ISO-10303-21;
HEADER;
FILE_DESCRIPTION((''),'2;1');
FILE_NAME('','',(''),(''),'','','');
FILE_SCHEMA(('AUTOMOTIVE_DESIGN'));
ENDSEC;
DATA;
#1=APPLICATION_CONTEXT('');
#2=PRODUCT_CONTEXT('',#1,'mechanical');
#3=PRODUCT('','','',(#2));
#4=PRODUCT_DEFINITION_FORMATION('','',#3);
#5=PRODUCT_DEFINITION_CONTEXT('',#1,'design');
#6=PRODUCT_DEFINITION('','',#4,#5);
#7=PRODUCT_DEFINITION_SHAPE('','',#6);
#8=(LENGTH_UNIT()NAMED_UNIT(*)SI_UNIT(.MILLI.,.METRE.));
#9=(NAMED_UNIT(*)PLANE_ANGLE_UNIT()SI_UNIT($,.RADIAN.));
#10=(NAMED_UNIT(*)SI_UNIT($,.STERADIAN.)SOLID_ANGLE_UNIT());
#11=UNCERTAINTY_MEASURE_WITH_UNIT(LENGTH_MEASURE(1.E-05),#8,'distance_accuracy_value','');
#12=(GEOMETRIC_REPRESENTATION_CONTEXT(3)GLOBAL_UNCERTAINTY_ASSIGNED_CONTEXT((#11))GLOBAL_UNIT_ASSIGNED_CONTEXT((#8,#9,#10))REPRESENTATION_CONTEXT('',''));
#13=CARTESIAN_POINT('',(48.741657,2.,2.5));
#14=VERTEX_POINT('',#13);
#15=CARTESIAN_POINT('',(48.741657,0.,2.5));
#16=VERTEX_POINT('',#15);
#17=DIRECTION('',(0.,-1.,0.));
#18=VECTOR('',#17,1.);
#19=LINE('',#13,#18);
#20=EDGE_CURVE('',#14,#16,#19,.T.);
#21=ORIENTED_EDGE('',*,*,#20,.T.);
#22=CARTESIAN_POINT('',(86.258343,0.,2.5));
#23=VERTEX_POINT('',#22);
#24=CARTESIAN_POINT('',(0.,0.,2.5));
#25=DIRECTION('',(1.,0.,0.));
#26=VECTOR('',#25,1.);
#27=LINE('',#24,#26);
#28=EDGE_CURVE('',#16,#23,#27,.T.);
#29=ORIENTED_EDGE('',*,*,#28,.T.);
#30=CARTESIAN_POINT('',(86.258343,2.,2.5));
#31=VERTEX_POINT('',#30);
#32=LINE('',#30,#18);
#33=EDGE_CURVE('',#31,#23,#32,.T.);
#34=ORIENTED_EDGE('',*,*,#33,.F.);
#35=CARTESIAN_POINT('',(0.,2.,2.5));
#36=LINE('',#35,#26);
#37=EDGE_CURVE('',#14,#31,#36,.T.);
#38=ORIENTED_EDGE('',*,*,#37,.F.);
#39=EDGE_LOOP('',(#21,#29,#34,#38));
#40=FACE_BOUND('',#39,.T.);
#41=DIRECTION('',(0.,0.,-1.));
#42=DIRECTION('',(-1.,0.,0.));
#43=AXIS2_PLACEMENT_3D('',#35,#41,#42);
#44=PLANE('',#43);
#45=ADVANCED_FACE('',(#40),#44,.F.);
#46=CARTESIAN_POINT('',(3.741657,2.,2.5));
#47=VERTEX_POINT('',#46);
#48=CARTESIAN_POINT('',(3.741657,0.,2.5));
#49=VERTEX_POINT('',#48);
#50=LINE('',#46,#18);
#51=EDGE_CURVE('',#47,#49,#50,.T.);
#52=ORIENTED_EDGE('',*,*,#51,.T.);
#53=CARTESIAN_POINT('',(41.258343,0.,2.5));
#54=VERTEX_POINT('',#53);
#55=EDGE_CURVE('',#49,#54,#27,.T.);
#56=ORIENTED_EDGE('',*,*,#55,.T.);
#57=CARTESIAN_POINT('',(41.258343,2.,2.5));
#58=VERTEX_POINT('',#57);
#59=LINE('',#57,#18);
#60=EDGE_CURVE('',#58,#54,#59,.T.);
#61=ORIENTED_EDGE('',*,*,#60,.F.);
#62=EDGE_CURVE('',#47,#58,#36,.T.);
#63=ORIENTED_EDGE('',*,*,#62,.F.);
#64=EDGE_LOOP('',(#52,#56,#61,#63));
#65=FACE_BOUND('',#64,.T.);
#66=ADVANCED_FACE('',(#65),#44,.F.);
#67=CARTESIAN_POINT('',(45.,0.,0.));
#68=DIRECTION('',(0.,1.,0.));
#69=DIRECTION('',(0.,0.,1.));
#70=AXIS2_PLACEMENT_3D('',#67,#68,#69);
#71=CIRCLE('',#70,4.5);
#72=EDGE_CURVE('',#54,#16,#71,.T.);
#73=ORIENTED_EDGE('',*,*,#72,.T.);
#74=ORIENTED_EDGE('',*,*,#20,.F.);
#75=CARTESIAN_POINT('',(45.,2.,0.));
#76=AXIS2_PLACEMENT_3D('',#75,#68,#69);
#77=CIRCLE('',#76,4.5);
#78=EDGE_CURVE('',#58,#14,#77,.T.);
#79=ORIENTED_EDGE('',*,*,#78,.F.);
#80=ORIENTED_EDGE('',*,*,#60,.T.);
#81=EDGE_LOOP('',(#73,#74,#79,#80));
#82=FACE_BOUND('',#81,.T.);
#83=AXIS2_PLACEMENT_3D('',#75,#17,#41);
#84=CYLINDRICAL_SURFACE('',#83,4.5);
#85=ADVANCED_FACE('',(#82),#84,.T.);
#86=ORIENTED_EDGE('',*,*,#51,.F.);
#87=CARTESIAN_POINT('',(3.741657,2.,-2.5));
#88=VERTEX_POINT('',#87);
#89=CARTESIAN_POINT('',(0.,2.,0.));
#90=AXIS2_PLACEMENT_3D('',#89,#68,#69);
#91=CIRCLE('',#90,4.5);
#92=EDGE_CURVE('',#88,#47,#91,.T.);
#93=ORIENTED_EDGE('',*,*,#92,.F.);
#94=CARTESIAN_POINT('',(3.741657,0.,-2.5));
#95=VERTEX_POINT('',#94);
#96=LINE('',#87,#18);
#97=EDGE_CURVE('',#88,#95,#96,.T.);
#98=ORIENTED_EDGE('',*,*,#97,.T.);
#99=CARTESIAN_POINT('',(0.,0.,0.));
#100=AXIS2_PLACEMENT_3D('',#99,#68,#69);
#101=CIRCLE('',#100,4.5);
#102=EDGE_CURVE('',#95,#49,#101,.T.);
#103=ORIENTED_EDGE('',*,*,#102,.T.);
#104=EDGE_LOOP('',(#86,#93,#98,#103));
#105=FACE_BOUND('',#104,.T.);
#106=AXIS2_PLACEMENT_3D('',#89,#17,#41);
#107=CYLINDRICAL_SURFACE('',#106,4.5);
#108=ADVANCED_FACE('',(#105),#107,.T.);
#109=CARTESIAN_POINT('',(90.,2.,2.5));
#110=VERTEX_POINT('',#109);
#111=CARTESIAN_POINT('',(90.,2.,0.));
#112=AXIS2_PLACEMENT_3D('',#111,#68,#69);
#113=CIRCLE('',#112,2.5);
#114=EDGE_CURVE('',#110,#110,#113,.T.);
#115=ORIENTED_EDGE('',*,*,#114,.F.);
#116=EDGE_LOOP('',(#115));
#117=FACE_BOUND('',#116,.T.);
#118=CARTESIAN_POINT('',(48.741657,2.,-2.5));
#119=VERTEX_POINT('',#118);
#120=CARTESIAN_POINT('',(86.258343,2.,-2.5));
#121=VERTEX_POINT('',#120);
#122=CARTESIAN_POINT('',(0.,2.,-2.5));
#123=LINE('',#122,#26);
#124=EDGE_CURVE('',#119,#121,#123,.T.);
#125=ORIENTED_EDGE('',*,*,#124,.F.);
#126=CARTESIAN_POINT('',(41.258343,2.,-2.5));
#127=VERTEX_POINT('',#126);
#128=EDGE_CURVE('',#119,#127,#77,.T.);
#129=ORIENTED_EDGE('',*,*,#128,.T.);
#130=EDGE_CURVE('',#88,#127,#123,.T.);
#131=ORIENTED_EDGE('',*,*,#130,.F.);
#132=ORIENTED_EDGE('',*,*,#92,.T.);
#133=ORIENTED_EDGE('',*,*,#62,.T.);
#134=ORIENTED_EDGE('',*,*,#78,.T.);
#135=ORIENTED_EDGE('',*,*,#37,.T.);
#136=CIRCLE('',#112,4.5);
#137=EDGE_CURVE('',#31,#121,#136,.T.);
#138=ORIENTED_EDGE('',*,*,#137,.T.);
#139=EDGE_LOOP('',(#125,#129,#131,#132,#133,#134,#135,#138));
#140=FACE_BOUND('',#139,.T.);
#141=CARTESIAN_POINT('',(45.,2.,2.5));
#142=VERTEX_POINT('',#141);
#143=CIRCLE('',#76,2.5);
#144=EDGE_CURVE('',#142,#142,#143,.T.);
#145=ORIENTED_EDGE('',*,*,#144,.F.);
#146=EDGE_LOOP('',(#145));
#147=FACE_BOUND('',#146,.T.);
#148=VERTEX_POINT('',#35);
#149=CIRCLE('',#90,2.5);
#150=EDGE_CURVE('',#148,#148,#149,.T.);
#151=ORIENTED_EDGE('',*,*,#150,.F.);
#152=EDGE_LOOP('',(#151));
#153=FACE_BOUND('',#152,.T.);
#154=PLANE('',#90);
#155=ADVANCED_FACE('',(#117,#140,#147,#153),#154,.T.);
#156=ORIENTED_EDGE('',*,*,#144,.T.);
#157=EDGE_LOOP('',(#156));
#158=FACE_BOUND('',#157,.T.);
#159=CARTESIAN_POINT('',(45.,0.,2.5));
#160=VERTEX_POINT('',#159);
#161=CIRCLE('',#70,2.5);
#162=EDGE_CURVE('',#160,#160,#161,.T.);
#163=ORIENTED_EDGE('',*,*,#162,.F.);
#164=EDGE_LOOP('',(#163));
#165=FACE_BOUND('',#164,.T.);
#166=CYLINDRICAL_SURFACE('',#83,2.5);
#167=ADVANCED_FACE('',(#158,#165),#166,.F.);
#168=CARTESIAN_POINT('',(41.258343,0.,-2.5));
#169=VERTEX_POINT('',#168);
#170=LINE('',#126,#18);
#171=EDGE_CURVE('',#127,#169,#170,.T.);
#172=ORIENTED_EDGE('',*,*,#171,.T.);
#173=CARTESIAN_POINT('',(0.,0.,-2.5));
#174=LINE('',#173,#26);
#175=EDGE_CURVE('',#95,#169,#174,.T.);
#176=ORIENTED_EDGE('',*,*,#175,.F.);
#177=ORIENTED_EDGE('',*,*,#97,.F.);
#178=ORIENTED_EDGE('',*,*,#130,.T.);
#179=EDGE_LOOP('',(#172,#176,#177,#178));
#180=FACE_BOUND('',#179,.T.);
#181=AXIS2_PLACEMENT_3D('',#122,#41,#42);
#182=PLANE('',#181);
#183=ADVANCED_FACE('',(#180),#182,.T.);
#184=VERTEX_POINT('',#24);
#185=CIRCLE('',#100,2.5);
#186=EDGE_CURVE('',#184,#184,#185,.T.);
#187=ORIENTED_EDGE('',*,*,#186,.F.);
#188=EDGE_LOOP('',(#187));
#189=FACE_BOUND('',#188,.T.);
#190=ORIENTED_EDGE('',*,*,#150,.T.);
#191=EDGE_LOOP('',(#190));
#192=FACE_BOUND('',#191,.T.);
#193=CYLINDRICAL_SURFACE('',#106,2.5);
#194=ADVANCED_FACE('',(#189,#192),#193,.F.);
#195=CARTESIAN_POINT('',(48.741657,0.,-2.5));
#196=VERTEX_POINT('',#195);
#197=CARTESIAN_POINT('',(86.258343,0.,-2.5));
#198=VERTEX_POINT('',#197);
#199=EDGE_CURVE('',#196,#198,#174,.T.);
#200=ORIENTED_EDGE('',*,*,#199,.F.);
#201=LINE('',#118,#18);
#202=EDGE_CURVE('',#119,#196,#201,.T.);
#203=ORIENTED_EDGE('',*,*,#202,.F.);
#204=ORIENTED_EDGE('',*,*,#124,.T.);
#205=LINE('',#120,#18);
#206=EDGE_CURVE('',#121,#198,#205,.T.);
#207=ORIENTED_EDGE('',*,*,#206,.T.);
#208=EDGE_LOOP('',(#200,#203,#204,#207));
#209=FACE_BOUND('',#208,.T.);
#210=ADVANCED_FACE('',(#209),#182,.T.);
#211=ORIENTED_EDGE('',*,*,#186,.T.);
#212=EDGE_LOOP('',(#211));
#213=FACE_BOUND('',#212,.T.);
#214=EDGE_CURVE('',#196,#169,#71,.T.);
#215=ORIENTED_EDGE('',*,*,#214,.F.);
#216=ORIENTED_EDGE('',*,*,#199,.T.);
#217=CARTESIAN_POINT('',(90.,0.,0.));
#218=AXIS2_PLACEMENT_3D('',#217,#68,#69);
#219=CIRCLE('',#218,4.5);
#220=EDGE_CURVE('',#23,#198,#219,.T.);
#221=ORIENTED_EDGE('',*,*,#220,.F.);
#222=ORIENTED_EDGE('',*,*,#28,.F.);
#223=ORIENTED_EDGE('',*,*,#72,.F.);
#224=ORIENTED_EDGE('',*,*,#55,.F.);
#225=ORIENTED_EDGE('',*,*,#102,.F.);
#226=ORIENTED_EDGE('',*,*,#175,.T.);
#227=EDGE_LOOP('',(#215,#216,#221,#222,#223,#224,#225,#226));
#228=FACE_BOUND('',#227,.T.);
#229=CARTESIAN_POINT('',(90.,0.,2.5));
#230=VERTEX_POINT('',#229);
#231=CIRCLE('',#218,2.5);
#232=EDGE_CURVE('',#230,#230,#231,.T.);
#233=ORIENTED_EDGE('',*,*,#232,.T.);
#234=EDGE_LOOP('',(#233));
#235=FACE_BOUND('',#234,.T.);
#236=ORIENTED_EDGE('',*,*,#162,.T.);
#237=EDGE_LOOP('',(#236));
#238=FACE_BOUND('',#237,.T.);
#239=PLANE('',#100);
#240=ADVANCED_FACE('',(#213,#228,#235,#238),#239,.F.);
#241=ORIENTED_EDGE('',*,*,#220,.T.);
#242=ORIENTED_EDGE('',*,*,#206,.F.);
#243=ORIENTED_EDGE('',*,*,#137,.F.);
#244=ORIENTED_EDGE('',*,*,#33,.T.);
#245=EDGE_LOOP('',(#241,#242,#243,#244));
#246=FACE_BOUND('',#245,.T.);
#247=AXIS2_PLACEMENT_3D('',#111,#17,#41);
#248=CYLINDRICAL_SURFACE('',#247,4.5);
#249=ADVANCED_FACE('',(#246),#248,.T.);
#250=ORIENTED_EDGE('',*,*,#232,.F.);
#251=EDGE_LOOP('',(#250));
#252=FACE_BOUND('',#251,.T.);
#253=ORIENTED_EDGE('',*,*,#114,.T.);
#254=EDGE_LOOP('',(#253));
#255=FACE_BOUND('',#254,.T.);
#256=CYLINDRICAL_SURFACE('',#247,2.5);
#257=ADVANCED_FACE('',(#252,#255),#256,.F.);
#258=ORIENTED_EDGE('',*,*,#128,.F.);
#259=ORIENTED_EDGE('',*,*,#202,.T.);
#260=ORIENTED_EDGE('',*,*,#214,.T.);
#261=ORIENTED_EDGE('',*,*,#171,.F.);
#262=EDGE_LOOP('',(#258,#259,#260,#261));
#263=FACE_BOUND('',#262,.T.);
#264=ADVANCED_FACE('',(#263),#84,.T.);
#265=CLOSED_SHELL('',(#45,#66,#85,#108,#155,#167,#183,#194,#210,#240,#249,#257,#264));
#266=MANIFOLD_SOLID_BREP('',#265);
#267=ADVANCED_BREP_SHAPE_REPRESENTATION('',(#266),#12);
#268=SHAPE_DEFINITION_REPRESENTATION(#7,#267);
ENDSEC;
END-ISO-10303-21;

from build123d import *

# Parameters (mm, degrees)
SKETCH1_R           = 2.5
BOSS_EXTRUDE1_DEPTH = 2


with BuildPart() as part:
    # Sketch1 → Boss-Extrude1 (new body)
    with BuildSketch(Plane(origin=(0, 0, 0), x_dir=(1, 0, 0), z_dir=(0, 1, 0))):
        with BuildLine():
            Line((3.741657387, -2.5), (41.258342613, -2.5))
            ThreePointArc((41.258342613, -2.5), (45, -4.5), (48.741657387, -2.5))
            Line((48.741657387, -2.5), (86.258342613, -2.5))
            ThreePointArc((86.258342613, -2.5), (94.5, 0), (86.258342613, 2.5))
            Line((86.258342613, 2.5), (48.741657387, 2.5))
            ThreePointArc((48.741657387, 2.5), (45, 4.5), (41.258342613, 2.5))
            Line((41.258342613, 2.5), (3.741657387, 2.5))
            ThreePointArc((3.741657387, 2.5), (-4.5, 0), (3.741657387, -2.5))
        make_face()
        Circle(SKETCH1_R, mode=Mode.SUBTRACT)
        with Locations((45, 0)):
            Circle(SKETCH1_R, mode=Mode.SUBTRACT)
        with Locations((90, 0)):
            Circle(SKETCH1_R, mode=Mode.SUBTRACT)
    extrude(amount=BOSS_EXTRUDE1_DEPTH)


solid = part.part
